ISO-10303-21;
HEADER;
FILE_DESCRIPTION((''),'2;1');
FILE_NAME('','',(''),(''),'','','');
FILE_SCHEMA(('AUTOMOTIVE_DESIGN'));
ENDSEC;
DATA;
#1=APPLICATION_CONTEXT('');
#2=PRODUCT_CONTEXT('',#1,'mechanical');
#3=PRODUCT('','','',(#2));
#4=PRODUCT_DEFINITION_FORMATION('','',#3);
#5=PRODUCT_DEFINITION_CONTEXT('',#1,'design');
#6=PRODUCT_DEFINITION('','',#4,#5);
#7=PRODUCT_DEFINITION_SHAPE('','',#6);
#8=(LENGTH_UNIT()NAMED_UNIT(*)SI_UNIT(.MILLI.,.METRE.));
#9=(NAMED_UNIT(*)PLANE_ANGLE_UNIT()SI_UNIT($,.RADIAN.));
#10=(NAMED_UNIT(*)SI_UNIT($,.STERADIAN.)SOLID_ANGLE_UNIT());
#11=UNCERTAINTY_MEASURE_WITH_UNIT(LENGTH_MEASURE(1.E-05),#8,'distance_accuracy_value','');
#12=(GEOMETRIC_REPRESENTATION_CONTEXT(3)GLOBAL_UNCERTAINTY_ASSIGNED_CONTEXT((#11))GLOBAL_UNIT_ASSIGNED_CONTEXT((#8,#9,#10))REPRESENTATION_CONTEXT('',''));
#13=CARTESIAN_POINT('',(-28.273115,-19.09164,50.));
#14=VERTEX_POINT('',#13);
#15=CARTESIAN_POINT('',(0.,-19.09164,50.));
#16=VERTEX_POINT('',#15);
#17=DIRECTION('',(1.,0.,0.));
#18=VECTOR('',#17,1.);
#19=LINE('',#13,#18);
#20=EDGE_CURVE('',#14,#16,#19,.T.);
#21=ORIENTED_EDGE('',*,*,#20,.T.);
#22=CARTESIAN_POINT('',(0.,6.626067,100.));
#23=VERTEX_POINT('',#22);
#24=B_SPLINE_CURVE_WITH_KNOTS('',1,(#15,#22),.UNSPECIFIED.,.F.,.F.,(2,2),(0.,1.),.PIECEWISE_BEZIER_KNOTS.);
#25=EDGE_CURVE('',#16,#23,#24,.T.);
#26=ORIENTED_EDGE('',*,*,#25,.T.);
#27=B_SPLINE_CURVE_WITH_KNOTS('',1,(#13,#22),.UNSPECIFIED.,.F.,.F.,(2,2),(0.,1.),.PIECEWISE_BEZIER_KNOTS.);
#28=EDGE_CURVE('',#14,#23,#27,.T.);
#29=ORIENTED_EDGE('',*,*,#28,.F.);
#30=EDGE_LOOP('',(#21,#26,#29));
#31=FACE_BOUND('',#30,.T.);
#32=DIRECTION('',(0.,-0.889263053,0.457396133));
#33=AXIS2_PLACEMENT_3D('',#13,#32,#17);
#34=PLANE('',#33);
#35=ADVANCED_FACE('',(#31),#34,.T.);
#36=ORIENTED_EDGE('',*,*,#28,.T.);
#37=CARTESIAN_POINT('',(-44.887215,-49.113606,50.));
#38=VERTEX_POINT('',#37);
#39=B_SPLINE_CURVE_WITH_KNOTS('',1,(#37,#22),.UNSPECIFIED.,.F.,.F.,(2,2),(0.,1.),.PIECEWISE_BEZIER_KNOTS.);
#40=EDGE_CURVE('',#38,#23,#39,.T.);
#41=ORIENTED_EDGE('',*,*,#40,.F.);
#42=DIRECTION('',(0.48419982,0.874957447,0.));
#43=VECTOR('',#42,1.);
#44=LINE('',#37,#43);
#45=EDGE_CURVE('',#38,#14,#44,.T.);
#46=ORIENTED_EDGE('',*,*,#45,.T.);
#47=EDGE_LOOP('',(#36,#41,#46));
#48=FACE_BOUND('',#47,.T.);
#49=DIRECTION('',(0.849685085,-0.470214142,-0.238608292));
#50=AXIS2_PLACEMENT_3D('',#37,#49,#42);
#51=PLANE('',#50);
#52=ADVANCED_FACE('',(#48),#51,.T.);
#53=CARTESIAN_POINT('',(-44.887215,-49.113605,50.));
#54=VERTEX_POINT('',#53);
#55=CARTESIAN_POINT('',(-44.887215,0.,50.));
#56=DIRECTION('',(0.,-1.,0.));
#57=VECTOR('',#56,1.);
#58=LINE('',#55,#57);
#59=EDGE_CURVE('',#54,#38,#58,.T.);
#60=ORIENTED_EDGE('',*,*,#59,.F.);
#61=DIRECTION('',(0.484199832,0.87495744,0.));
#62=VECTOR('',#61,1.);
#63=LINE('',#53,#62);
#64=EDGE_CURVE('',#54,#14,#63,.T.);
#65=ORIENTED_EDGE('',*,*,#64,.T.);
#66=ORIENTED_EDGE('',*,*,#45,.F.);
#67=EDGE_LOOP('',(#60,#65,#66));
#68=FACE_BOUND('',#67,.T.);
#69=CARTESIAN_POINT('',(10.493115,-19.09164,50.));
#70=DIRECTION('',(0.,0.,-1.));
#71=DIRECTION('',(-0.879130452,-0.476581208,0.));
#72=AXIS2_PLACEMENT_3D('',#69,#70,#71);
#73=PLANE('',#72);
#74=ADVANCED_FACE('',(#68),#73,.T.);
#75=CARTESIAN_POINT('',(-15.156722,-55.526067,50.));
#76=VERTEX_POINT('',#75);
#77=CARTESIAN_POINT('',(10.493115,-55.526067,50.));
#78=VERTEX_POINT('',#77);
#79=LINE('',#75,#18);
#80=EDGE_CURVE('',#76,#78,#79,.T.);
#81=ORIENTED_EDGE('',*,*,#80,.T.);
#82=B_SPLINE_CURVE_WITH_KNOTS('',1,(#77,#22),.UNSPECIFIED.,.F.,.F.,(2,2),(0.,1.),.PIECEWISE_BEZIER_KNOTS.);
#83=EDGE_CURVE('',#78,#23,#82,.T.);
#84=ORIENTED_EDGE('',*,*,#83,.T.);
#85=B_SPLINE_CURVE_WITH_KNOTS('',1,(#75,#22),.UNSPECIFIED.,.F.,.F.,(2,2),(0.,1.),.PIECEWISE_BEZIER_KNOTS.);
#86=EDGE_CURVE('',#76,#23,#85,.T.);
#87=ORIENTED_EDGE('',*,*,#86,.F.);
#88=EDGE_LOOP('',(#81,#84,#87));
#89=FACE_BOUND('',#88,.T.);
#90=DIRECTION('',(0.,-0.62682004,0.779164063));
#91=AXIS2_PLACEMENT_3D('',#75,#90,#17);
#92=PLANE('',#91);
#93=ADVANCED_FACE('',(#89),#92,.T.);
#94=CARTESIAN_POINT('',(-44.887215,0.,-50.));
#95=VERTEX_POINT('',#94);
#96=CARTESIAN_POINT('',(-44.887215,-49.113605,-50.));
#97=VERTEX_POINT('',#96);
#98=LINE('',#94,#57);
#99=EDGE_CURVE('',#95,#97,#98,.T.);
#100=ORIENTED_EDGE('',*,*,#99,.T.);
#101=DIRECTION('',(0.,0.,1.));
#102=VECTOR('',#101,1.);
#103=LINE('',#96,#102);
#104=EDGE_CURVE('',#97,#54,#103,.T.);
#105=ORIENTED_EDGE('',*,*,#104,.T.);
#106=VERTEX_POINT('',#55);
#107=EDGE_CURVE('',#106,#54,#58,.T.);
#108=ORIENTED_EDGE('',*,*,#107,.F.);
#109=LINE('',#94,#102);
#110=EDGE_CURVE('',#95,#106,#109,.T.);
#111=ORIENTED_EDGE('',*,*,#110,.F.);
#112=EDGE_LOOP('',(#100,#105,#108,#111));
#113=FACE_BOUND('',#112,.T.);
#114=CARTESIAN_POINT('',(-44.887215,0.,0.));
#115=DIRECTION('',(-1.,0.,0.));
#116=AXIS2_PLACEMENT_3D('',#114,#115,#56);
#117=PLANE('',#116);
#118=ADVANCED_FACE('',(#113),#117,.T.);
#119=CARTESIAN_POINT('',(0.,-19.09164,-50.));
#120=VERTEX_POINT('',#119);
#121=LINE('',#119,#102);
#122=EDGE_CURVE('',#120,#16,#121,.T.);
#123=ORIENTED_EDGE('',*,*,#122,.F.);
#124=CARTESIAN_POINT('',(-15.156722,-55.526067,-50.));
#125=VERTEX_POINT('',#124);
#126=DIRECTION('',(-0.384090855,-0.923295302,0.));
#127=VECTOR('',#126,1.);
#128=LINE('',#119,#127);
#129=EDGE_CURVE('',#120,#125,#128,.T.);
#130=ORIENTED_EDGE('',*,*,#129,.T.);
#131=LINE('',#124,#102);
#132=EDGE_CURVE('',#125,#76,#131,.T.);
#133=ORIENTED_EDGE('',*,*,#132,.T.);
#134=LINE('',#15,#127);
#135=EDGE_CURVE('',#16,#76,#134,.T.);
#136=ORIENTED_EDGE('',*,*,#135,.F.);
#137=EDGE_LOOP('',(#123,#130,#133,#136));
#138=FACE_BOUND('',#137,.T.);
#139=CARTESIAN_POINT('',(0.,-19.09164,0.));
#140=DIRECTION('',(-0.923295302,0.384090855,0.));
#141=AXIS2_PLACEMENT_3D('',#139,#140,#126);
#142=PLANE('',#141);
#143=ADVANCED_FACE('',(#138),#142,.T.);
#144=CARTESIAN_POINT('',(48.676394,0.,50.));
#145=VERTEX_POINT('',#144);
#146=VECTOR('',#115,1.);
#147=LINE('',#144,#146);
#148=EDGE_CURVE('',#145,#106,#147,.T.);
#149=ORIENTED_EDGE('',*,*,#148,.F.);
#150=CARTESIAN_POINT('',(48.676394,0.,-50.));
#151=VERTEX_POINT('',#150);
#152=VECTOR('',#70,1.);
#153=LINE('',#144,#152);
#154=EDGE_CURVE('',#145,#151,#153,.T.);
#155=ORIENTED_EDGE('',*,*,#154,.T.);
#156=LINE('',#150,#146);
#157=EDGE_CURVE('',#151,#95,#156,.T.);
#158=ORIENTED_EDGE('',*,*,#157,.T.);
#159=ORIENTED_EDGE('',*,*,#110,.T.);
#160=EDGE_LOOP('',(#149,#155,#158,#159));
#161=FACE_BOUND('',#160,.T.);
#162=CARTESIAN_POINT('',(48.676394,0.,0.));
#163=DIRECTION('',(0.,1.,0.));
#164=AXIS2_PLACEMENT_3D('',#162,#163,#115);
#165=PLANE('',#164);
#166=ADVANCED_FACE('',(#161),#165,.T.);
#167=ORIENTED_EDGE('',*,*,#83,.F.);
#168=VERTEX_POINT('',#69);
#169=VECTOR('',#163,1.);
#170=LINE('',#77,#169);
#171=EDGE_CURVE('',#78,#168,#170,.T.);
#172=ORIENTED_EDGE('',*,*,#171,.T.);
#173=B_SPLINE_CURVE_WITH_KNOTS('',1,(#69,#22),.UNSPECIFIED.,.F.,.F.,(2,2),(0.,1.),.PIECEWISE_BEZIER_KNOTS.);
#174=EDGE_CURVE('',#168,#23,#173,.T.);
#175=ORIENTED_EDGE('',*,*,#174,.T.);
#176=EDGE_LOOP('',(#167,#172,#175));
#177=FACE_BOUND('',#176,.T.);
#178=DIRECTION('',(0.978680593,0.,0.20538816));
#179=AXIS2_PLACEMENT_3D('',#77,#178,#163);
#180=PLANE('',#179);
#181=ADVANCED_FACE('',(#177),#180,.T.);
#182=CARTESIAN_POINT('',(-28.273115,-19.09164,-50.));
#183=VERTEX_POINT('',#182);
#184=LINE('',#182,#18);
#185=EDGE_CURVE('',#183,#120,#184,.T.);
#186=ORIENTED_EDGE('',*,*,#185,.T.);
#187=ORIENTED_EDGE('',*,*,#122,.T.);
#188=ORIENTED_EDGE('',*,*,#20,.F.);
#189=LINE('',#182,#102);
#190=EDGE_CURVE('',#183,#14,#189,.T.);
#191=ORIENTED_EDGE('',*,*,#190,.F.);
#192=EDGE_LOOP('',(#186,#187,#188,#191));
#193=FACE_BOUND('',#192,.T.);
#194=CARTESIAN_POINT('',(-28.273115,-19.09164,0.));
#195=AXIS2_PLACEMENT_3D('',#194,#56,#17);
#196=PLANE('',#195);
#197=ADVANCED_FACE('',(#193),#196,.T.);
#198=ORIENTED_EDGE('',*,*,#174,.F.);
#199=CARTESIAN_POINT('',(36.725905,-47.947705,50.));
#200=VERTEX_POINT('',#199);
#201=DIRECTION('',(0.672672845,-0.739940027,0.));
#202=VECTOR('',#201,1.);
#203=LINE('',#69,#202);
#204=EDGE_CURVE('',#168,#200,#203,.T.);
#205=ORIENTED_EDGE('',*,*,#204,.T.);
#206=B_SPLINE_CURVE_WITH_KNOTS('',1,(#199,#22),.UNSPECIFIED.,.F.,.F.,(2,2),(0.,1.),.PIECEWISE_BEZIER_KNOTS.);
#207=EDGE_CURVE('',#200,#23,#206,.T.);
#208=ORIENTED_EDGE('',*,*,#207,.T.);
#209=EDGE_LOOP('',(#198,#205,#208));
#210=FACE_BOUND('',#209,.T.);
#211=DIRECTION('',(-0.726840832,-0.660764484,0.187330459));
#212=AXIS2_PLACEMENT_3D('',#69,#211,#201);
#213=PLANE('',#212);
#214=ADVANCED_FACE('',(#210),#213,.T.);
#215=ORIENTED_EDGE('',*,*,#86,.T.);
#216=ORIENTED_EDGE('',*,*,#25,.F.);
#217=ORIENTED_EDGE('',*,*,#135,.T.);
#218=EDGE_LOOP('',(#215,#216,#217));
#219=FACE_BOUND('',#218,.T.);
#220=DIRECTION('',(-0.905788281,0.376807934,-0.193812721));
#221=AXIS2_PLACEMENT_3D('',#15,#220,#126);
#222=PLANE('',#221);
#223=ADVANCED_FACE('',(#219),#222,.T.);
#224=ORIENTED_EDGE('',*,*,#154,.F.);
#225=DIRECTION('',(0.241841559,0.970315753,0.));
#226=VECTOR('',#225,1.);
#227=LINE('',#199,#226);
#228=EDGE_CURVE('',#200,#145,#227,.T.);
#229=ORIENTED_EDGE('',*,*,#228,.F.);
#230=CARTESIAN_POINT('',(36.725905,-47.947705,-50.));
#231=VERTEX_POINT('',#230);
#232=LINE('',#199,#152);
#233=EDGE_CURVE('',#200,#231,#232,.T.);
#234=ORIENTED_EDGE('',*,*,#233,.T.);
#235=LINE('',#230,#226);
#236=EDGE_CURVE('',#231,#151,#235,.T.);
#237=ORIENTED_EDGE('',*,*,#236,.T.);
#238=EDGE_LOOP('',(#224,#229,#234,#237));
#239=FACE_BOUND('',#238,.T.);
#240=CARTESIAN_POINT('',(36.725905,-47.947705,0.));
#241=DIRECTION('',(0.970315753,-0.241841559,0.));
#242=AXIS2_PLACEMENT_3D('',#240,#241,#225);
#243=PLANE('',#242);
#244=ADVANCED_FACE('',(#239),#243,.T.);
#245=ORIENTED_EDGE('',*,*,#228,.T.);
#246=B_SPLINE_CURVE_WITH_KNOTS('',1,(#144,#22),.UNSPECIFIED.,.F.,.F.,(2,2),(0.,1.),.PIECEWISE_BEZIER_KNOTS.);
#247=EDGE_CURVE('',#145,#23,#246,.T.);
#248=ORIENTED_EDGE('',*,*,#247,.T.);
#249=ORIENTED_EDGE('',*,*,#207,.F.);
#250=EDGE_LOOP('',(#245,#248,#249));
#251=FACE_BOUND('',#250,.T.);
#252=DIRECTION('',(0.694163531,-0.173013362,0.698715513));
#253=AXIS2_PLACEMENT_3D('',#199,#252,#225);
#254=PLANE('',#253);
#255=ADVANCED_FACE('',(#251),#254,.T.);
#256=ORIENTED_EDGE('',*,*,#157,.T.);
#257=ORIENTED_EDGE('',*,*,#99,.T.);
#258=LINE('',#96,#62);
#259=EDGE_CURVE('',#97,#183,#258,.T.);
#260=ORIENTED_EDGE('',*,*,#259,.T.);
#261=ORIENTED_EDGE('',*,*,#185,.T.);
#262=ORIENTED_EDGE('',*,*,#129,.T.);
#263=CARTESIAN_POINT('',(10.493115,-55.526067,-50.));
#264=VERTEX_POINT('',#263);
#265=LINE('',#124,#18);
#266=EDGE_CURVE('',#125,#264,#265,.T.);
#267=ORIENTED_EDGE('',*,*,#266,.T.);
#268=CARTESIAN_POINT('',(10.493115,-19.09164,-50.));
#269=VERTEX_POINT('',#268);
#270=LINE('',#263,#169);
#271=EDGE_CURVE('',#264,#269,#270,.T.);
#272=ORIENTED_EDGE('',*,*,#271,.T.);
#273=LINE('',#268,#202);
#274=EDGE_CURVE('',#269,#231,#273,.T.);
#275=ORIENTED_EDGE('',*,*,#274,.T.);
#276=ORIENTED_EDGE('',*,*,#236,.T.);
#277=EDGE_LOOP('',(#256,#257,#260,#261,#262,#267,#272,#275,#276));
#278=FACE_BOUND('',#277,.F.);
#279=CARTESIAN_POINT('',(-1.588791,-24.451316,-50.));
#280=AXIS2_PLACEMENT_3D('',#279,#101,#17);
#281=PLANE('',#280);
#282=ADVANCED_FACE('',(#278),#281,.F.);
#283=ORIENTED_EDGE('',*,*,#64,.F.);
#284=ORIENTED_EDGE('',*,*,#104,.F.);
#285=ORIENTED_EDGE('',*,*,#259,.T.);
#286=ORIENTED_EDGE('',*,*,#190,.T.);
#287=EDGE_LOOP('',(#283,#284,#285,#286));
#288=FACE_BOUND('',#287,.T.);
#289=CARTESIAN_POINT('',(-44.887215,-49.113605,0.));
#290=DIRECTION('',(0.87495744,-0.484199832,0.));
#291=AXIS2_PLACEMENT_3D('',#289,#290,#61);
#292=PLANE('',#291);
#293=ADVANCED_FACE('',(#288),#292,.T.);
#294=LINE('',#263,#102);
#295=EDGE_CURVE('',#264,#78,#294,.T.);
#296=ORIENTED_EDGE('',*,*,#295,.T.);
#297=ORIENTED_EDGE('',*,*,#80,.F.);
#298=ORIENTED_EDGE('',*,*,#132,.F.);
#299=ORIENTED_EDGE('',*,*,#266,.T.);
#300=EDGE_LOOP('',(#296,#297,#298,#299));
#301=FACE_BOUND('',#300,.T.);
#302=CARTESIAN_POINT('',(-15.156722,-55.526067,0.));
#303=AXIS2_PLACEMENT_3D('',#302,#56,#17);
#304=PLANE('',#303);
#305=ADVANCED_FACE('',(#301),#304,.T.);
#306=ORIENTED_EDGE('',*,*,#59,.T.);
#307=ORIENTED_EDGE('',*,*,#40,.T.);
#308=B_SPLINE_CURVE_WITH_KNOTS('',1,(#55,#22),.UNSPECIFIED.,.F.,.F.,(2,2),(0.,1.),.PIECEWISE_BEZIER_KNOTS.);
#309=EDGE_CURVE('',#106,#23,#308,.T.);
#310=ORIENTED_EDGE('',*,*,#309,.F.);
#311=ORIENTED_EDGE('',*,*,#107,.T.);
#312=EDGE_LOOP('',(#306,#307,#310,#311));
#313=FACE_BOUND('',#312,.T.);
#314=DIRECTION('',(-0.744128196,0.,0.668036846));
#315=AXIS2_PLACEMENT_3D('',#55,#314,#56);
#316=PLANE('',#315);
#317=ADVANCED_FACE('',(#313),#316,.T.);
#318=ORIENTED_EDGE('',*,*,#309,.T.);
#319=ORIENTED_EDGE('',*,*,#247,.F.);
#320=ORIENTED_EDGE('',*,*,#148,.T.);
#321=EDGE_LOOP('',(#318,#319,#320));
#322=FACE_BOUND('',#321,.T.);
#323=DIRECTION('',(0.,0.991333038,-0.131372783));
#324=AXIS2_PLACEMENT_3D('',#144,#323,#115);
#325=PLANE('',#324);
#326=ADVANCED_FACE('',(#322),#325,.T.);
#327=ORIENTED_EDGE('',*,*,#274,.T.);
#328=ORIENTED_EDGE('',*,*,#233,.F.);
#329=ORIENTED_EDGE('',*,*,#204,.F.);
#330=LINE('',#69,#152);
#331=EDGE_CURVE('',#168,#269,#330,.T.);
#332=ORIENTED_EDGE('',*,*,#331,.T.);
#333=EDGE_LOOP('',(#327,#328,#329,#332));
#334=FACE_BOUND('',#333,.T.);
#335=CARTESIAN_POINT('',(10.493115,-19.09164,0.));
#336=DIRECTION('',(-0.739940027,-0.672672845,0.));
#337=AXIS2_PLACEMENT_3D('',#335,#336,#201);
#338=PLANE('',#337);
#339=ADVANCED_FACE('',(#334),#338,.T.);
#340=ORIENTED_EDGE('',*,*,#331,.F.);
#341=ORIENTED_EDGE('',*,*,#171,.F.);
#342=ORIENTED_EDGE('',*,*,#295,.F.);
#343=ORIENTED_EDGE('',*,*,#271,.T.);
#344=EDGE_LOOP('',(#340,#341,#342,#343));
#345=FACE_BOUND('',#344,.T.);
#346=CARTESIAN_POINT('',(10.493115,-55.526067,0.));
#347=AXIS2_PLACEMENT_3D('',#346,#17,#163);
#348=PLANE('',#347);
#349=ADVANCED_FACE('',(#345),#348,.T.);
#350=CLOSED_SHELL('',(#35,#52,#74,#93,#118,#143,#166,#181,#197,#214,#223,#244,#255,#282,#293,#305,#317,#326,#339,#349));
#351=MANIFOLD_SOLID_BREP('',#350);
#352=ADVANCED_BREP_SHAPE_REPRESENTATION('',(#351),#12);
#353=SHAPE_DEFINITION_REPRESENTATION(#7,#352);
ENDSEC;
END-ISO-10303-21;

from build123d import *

# Parameters (mm, degrees)
F1_DEPTH = 50


with BuildPart() as f1:
    # F0 (on Top) → F1 (new body, symmetric)
    with BuildSketch(Plane.XY):
        Polygon((48.676394, 0), (-44.887215, 0), (-44.887215, -49.113605), (-28.273115, -19.09164), (0, -19.09164), (-15.156722, -55.526067), (10.493115, -55.526067), (10.493115, -19.09164), (36.725905, -47.947705), align=None)
    extrude(amount=F1_DEPTH, both=True)

    # F1_face (on face) → F4 section 0
    with BuildSketch(Plane(origin=(2.137736, -20.383038, 50), x_dir=(1, 0, 0), z_dir=(0, 0, 1)), mode=Mode.PRIVATE) as f4_s0:
        Polygon((8.355379, 1.291398), (34.588169, -27.564667), (46.538658, 20.383038), (-47.024951, 20.383038), (-47.024951, -28.730568), (-30.410851, 1.291398), (-2.137736, 1.291398), (-17.294458, -35.143029), (8.355379, -35.143029), align=None)
    loft([f4_s0.sketch, Vertex(0, 6.626067, 100)])


solid = f1.part
